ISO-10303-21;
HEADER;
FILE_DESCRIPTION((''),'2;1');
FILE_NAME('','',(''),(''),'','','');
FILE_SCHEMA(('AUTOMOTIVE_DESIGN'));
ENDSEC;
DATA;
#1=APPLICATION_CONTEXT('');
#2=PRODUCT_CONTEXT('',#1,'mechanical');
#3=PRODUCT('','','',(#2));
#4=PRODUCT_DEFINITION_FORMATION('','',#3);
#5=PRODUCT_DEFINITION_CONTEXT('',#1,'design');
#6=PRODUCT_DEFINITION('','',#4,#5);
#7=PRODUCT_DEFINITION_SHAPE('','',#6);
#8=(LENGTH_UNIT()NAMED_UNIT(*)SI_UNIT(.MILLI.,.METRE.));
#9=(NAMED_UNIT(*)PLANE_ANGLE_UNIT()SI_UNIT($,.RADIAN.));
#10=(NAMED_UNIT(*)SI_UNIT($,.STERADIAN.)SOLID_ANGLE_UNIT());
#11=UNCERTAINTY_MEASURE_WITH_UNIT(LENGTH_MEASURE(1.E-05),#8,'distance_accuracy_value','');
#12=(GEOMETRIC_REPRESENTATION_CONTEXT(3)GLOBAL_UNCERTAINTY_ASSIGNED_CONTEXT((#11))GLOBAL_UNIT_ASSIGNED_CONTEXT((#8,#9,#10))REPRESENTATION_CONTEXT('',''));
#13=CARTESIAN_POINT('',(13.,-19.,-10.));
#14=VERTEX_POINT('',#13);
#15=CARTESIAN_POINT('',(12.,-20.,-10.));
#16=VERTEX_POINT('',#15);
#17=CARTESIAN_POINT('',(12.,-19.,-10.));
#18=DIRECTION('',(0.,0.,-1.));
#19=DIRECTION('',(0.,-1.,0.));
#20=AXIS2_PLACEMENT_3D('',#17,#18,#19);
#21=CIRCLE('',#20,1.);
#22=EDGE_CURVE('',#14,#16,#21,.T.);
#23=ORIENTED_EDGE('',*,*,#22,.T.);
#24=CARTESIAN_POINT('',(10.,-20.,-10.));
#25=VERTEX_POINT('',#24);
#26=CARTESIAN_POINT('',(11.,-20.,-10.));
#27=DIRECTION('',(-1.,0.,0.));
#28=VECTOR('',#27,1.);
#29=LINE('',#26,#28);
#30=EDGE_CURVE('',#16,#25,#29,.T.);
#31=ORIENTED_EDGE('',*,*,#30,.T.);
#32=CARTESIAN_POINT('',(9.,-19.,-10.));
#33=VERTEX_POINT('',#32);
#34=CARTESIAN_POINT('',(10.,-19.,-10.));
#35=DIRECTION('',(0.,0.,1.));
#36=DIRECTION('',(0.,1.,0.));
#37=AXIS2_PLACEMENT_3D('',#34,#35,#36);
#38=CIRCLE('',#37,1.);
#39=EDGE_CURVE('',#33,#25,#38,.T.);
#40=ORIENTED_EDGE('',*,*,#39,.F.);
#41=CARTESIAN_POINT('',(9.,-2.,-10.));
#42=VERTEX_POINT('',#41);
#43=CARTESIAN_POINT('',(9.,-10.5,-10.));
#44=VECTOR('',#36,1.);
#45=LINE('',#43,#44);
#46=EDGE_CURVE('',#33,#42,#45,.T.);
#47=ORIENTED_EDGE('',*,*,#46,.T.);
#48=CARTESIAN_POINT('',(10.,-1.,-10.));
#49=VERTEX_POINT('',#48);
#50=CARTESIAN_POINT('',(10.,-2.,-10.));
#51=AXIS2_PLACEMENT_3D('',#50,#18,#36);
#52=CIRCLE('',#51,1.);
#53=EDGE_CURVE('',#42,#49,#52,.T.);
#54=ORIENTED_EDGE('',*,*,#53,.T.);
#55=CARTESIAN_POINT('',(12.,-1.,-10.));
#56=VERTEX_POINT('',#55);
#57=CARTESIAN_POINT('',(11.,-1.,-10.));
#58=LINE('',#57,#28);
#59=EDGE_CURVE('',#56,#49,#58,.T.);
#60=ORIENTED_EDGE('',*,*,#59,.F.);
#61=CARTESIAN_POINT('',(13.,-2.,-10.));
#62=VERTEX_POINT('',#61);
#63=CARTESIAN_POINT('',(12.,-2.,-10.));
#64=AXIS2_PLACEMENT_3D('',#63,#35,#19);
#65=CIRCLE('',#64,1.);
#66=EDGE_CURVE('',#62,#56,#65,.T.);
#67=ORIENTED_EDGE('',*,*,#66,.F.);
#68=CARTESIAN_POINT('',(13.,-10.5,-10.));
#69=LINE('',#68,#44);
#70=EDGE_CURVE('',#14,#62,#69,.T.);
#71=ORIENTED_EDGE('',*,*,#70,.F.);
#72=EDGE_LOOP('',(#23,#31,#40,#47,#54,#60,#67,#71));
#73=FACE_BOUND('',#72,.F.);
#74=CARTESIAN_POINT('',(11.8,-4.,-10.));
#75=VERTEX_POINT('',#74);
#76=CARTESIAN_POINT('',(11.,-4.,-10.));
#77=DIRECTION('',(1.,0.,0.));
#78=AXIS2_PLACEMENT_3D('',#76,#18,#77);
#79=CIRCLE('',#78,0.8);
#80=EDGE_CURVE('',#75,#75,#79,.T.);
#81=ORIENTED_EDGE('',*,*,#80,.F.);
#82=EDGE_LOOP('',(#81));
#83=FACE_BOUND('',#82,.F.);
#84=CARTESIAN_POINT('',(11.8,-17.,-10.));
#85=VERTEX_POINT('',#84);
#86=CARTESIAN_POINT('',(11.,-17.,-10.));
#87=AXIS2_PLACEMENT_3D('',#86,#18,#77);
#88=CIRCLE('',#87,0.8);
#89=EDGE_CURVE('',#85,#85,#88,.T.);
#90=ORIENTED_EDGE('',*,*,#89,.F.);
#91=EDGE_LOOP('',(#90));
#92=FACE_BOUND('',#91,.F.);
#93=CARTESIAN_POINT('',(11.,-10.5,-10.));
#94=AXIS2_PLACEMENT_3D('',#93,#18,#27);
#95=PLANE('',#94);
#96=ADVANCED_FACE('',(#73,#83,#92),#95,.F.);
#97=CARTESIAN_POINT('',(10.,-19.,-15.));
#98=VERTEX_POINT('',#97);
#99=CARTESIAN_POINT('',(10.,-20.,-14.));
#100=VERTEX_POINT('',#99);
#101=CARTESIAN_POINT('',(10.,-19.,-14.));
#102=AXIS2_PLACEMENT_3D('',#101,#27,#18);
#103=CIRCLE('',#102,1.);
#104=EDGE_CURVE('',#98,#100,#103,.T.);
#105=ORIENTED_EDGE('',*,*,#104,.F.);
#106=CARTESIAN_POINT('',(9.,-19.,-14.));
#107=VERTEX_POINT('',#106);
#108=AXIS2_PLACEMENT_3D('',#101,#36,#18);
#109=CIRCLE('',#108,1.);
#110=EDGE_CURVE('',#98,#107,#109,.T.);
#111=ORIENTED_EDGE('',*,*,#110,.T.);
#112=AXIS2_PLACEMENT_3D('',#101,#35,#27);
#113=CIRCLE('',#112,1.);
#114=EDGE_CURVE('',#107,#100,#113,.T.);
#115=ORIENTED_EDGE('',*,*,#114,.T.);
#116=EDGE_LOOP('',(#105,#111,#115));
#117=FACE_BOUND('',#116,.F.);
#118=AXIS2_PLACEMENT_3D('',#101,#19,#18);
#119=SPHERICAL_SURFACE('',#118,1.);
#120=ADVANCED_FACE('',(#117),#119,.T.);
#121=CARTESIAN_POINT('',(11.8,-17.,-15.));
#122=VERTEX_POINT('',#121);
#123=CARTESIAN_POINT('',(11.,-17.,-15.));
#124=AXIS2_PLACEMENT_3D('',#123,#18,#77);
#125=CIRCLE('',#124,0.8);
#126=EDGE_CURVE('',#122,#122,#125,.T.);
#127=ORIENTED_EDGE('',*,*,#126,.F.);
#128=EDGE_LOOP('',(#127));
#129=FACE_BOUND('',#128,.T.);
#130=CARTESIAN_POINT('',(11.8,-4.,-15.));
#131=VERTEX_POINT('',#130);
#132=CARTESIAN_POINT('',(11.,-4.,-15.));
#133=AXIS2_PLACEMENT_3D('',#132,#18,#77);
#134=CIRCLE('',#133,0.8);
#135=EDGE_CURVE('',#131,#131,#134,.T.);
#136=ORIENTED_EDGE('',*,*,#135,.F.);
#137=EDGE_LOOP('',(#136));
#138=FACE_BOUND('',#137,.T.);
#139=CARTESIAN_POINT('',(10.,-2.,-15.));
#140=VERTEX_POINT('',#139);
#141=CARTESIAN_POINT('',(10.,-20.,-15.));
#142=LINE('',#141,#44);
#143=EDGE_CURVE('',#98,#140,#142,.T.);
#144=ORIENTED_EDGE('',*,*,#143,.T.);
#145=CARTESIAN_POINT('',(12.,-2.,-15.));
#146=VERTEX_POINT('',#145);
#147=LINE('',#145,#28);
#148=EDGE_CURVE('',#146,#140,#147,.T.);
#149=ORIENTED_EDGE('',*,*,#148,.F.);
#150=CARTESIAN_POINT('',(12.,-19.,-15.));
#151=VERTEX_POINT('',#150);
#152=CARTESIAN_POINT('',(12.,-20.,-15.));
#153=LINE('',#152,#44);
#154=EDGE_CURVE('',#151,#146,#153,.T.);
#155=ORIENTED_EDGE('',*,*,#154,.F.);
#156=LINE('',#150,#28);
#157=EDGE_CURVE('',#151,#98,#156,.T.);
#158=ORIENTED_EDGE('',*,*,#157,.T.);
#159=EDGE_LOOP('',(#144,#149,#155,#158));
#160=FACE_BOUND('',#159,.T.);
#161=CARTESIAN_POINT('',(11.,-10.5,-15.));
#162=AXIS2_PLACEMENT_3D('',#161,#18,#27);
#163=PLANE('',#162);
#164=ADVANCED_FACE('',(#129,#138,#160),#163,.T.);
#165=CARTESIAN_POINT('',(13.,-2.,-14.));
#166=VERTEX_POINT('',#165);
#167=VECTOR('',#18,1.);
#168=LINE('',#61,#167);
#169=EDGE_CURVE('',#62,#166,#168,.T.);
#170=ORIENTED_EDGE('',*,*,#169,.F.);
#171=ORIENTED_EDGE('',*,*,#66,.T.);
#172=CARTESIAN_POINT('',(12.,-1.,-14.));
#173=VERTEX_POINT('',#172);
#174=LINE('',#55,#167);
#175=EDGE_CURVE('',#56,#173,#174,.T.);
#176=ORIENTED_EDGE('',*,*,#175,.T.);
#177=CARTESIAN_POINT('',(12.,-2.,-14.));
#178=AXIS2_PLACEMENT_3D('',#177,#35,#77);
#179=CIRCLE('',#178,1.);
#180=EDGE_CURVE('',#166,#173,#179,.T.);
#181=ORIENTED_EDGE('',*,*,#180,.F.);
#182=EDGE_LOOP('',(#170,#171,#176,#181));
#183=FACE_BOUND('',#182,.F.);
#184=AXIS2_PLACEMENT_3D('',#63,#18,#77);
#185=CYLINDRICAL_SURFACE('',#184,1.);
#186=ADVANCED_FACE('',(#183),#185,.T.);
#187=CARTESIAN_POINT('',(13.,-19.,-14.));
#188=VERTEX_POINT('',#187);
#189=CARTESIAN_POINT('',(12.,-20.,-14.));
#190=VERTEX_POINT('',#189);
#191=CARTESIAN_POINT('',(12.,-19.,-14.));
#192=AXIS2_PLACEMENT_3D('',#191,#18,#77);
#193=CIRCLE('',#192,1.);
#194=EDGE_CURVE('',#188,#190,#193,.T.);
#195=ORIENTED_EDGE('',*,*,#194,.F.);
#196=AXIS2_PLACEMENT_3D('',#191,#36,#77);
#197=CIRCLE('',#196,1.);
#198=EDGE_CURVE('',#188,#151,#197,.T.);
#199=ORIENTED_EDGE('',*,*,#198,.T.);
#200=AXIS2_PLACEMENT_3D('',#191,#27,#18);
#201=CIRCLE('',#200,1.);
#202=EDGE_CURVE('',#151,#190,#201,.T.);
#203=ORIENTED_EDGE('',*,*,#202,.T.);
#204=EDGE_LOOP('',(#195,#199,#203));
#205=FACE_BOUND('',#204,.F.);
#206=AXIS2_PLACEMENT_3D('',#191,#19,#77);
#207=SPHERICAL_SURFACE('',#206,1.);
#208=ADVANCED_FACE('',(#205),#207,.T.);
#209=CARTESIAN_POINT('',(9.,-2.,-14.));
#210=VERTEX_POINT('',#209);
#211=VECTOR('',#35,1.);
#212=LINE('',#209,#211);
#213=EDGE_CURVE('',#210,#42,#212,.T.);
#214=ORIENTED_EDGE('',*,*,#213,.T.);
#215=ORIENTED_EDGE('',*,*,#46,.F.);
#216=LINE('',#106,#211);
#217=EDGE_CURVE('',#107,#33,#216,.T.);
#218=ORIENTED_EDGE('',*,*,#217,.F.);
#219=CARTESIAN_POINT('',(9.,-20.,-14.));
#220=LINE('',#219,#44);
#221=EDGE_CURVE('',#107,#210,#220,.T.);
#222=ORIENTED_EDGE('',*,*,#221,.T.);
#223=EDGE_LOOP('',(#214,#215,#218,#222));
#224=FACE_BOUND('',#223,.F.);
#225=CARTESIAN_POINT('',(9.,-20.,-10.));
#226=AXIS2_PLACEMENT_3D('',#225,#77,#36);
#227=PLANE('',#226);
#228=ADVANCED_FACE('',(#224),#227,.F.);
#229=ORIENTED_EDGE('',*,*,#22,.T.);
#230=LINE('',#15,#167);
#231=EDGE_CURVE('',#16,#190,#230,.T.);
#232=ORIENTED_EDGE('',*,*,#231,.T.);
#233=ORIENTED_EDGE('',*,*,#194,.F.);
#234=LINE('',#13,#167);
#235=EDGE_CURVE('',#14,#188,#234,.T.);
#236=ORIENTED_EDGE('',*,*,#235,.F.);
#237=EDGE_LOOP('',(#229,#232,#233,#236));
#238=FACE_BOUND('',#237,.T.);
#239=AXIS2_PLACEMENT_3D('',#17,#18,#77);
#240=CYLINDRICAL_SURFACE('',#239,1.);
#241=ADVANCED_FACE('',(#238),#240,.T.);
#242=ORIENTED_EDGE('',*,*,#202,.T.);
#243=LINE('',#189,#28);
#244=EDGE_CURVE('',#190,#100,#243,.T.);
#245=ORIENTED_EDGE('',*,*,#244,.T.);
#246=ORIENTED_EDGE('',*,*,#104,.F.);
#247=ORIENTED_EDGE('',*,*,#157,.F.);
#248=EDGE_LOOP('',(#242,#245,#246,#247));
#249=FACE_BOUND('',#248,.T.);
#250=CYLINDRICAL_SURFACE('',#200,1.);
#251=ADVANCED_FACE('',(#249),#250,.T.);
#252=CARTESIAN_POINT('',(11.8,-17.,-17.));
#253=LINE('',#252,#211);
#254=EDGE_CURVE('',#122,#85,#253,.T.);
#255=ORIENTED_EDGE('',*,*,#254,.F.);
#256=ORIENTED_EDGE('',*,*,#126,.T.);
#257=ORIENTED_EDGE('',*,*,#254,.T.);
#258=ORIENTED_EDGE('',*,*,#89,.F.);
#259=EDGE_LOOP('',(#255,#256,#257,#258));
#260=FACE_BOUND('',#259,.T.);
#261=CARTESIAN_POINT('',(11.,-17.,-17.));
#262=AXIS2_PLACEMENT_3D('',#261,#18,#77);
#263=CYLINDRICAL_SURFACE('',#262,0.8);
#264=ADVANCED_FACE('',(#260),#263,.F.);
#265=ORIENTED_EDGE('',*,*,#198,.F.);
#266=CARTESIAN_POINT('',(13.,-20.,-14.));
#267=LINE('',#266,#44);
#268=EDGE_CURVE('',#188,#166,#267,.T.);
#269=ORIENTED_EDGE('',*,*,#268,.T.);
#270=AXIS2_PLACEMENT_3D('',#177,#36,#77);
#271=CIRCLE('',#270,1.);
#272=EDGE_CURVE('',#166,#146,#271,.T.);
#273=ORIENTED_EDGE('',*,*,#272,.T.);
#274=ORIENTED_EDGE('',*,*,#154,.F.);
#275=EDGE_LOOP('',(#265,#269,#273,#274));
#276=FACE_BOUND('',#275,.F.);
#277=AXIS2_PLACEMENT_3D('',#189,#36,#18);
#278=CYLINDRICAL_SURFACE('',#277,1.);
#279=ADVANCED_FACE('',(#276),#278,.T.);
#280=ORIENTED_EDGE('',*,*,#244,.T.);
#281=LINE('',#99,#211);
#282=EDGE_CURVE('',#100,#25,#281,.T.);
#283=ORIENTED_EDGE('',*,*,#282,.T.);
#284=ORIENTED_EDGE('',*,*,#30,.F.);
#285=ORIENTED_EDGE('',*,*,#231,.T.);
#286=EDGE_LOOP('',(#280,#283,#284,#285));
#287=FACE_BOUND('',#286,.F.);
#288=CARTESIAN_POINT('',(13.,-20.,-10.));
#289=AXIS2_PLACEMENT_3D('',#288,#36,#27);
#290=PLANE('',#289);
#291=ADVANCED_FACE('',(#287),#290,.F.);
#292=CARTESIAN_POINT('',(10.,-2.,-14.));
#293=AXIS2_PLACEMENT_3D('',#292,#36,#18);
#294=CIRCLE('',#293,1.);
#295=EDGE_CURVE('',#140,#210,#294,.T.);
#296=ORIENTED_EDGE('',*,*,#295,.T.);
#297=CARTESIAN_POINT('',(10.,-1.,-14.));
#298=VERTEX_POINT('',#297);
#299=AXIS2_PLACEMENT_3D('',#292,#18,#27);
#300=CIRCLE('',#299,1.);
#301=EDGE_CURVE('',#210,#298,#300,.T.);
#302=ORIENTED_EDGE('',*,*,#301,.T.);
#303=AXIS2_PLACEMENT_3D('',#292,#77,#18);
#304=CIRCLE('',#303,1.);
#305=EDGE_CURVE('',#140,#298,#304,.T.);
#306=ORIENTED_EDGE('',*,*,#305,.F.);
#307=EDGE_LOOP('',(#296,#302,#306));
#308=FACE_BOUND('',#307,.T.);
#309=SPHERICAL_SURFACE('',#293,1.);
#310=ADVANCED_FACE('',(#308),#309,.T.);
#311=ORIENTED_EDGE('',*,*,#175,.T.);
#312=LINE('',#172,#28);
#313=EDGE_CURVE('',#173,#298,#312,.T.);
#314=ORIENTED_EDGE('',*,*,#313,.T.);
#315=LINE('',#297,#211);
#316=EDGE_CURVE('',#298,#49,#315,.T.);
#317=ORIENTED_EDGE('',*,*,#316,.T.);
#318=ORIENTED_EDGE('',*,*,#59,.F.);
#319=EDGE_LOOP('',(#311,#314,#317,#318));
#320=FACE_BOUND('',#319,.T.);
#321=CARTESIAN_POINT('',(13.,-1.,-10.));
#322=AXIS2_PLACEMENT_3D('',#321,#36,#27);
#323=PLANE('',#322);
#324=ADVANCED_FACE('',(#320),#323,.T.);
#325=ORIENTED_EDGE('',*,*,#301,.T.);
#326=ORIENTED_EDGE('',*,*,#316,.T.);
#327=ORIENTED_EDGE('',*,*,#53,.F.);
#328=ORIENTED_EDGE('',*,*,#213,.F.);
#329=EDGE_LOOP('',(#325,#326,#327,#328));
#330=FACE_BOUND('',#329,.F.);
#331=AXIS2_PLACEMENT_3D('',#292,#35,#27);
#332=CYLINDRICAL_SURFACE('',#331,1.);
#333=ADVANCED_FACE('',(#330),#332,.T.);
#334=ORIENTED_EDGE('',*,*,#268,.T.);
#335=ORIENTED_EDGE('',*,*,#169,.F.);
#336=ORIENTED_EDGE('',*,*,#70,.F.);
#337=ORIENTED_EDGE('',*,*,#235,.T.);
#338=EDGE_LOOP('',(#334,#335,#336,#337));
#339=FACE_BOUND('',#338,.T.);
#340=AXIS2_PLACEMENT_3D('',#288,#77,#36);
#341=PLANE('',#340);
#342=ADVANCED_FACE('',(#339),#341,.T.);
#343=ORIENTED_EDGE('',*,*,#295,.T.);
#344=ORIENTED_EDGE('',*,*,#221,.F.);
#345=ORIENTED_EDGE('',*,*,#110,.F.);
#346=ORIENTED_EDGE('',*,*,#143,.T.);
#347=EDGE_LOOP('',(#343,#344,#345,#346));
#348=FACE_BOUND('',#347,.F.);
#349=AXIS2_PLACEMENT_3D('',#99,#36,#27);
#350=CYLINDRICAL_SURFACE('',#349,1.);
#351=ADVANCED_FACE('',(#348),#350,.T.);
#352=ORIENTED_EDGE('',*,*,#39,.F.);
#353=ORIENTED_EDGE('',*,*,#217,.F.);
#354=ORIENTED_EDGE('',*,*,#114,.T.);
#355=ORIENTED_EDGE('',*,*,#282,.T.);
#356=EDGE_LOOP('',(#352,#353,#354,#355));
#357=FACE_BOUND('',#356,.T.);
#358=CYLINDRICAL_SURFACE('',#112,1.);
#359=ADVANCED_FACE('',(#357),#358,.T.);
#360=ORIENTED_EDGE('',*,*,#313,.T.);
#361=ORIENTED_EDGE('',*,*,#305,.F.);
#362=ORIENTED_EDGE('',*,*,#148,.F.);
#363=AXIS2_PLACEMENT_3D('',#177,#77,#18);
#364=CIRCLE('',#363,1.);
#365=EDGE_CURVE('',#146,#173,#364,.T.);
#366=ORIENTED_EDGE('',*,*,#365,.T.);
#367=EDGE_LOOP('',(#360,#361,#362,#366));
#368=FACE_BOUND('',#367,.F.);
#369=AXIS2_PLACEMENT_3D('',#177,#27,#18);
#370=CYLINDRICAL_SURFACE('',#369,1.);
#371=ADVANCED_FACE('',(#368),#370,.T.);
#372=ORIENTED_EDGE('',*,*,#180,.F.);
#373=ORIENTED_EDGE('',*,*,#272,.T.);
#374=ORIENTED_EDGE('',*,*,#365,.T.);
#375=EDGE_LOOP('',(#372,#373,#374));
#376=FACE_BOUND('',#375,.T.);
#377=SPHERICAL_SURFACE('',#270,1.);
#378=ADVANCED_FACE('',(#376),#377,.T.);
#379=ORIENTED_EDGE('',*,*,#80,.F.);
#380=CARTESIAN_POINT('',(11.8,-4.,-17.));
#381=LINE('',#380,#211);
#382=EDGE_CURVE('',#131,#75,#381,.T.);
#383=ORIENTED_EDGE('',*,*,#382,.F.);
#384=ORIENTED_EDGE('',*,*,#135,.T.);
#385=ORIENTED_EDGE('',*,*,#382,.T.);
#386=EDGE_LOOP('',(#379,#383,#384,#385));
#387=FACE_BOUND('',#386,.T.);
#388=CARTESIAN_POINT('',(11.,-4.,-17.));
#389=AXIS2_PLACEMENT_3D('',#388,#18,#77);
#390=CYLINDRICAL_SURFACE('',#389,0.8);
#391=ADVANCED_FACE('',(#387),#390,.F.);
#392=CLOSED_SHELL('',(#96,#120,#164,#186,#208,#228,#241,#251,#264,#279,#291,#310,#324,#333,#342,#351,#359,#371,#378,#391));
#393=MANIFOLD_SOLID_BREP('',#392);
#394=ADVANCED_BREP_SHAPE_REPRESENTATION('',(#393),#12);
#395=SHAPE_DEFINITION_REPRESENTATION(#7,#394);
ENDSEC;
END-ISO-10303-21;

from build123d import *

# Parameters (mm, degrees)
CYLINDER051_R          = 0.8
CYLINDER051_DEPTH      = 10
CYLINDER050_R          = 0.8
CYLINDER050_DEPTH      = 10
CYLINDER047_R          = 0.75
CYLINDER047_DEPTH      = 10
CYLINDER046_R          = 0.75
CYLINDER046_DEPTH      = 10
BOX020_W               = 4
BOX020_H               = 19
BOX020_DEPTH           = 5
FILLET008_R            = 1
FILLET009_R            = 1
FILLET010_R            = 1
FILLET011_R            = 1
CUT066_PLACEMENT_ANGLE = 180


with BuildPart() as cilindro051:
    # Cylinder051 → Cylinder051 (new body)
    with BuildSketch(Plane(origin=(11, -17, -17), x_dir=(1, 0, 0), z_dir=(0, 0, 1))):
        Circle(CYLINDER051_R)
    extrude(amount=CYLINDER051_DEPTH)


with BuildPart() as cilindro050:
    # Cylinder050 → Cylinder050 (new body)
    with BuildSketch(Plane(origin=(11, -4, -17), x_dir=(1, 0, 0), z_dir=(0, 0, 1))):
        Circle(CYLINDER050_R)
    extrude(amount=CYLINDER050_DEPTH)


with BuildPart() as cilindro047:
    # Cylinder047 → Cylinder047 (new body)
    with BuildSketch(Plane(origin=(-39, 66, 48), x_dir=(1, 0, 0), z_dir=(0, 0, 1))):
        Circle(CYLINDER047_R)
    extrude(amount=CYLINDER047_DEPTH)


with BuildPart() as cilindro046:
    # Cylinder046 → Cylinder046 (new body)
    with BuildSketch(Plane(origin=(-39, 53, 48), x_dir=(1, 0, 0), z_dir=(0, 0, 1))):
        Circle(CYLINDER046_R)
    extrude(amount=CYLINDER046_DEPTH)


with BuildPart() as cut070:
    # Box020 → Box020 (new body)
    with BuildSketch(Plane(origin=(-2, 50, 45), x_dir=(1, 0, 0), z_dir=(0, 0, 1))):
        with Locations((2, 9.5)):
            Rectangle(BOX020_W, BOX020_H)
    extrude(amount=BOX020_DEPTH)

    # Fillet008
    fillet008_edges = [cut070.edges().sort_by_distance(p)[0] for p in [
        (2, 59.5, 50),
    ]]
    fillet(fillet008_edges, radius=FILLET008_R)

    # Fillet009
    fillet009_edges = [cut070.edges().sort_by_distance(p)[0] for p in [
        (-2, 59.5, 50),
    ]]
    fillet(fillet009_edges, radius=FILLET009_R)

    # Fillet010
    fillet010_edges = [cut070.edges().sort_by_distance(p)[0] for p in [
        (0, 69, 50),
    ]]
    fillet(fillet010_edges, radius=FILLET010_R)

    # Fillet011
    fillet011_edges = [cut070.edges().sort_by_distance(p)[0] for p in [
        (0, 50, 50),
    ]]
    fillet(fillet011_edges, radius=FILLET011_R)


with BuildPart() as cut070_1:
    # Fillet011 placement: moved
    add(cut070.part.moved(Location((-39, 0, 0))))

    # Cut065: cut Cilindro046
    add(cilindro046.part, mode=Mode.SUBTRACT)

    # Cut066: cut Cilindro047
    add(cilindro047.part, mode=Mode.SUBTRACT)


with BuildPart() as cut070_2:
    # Cut066 placement: moved
    add(cut070_1.part.moved(Location((-28, -70, 35))).rotate(Axis((-28, -70, 35), (0, 1, 0)), CUT066_PLACEMENT_ANGLE))

    # Cut069: cut Cilindro050
    add(cilindro050.part, mode=Mode.SUBTRACT)

    # Cut070: cut Cilindro051
    add(cilindro051.part, mode=Mode.SUBTRACT)


solid = cut070_2.part
